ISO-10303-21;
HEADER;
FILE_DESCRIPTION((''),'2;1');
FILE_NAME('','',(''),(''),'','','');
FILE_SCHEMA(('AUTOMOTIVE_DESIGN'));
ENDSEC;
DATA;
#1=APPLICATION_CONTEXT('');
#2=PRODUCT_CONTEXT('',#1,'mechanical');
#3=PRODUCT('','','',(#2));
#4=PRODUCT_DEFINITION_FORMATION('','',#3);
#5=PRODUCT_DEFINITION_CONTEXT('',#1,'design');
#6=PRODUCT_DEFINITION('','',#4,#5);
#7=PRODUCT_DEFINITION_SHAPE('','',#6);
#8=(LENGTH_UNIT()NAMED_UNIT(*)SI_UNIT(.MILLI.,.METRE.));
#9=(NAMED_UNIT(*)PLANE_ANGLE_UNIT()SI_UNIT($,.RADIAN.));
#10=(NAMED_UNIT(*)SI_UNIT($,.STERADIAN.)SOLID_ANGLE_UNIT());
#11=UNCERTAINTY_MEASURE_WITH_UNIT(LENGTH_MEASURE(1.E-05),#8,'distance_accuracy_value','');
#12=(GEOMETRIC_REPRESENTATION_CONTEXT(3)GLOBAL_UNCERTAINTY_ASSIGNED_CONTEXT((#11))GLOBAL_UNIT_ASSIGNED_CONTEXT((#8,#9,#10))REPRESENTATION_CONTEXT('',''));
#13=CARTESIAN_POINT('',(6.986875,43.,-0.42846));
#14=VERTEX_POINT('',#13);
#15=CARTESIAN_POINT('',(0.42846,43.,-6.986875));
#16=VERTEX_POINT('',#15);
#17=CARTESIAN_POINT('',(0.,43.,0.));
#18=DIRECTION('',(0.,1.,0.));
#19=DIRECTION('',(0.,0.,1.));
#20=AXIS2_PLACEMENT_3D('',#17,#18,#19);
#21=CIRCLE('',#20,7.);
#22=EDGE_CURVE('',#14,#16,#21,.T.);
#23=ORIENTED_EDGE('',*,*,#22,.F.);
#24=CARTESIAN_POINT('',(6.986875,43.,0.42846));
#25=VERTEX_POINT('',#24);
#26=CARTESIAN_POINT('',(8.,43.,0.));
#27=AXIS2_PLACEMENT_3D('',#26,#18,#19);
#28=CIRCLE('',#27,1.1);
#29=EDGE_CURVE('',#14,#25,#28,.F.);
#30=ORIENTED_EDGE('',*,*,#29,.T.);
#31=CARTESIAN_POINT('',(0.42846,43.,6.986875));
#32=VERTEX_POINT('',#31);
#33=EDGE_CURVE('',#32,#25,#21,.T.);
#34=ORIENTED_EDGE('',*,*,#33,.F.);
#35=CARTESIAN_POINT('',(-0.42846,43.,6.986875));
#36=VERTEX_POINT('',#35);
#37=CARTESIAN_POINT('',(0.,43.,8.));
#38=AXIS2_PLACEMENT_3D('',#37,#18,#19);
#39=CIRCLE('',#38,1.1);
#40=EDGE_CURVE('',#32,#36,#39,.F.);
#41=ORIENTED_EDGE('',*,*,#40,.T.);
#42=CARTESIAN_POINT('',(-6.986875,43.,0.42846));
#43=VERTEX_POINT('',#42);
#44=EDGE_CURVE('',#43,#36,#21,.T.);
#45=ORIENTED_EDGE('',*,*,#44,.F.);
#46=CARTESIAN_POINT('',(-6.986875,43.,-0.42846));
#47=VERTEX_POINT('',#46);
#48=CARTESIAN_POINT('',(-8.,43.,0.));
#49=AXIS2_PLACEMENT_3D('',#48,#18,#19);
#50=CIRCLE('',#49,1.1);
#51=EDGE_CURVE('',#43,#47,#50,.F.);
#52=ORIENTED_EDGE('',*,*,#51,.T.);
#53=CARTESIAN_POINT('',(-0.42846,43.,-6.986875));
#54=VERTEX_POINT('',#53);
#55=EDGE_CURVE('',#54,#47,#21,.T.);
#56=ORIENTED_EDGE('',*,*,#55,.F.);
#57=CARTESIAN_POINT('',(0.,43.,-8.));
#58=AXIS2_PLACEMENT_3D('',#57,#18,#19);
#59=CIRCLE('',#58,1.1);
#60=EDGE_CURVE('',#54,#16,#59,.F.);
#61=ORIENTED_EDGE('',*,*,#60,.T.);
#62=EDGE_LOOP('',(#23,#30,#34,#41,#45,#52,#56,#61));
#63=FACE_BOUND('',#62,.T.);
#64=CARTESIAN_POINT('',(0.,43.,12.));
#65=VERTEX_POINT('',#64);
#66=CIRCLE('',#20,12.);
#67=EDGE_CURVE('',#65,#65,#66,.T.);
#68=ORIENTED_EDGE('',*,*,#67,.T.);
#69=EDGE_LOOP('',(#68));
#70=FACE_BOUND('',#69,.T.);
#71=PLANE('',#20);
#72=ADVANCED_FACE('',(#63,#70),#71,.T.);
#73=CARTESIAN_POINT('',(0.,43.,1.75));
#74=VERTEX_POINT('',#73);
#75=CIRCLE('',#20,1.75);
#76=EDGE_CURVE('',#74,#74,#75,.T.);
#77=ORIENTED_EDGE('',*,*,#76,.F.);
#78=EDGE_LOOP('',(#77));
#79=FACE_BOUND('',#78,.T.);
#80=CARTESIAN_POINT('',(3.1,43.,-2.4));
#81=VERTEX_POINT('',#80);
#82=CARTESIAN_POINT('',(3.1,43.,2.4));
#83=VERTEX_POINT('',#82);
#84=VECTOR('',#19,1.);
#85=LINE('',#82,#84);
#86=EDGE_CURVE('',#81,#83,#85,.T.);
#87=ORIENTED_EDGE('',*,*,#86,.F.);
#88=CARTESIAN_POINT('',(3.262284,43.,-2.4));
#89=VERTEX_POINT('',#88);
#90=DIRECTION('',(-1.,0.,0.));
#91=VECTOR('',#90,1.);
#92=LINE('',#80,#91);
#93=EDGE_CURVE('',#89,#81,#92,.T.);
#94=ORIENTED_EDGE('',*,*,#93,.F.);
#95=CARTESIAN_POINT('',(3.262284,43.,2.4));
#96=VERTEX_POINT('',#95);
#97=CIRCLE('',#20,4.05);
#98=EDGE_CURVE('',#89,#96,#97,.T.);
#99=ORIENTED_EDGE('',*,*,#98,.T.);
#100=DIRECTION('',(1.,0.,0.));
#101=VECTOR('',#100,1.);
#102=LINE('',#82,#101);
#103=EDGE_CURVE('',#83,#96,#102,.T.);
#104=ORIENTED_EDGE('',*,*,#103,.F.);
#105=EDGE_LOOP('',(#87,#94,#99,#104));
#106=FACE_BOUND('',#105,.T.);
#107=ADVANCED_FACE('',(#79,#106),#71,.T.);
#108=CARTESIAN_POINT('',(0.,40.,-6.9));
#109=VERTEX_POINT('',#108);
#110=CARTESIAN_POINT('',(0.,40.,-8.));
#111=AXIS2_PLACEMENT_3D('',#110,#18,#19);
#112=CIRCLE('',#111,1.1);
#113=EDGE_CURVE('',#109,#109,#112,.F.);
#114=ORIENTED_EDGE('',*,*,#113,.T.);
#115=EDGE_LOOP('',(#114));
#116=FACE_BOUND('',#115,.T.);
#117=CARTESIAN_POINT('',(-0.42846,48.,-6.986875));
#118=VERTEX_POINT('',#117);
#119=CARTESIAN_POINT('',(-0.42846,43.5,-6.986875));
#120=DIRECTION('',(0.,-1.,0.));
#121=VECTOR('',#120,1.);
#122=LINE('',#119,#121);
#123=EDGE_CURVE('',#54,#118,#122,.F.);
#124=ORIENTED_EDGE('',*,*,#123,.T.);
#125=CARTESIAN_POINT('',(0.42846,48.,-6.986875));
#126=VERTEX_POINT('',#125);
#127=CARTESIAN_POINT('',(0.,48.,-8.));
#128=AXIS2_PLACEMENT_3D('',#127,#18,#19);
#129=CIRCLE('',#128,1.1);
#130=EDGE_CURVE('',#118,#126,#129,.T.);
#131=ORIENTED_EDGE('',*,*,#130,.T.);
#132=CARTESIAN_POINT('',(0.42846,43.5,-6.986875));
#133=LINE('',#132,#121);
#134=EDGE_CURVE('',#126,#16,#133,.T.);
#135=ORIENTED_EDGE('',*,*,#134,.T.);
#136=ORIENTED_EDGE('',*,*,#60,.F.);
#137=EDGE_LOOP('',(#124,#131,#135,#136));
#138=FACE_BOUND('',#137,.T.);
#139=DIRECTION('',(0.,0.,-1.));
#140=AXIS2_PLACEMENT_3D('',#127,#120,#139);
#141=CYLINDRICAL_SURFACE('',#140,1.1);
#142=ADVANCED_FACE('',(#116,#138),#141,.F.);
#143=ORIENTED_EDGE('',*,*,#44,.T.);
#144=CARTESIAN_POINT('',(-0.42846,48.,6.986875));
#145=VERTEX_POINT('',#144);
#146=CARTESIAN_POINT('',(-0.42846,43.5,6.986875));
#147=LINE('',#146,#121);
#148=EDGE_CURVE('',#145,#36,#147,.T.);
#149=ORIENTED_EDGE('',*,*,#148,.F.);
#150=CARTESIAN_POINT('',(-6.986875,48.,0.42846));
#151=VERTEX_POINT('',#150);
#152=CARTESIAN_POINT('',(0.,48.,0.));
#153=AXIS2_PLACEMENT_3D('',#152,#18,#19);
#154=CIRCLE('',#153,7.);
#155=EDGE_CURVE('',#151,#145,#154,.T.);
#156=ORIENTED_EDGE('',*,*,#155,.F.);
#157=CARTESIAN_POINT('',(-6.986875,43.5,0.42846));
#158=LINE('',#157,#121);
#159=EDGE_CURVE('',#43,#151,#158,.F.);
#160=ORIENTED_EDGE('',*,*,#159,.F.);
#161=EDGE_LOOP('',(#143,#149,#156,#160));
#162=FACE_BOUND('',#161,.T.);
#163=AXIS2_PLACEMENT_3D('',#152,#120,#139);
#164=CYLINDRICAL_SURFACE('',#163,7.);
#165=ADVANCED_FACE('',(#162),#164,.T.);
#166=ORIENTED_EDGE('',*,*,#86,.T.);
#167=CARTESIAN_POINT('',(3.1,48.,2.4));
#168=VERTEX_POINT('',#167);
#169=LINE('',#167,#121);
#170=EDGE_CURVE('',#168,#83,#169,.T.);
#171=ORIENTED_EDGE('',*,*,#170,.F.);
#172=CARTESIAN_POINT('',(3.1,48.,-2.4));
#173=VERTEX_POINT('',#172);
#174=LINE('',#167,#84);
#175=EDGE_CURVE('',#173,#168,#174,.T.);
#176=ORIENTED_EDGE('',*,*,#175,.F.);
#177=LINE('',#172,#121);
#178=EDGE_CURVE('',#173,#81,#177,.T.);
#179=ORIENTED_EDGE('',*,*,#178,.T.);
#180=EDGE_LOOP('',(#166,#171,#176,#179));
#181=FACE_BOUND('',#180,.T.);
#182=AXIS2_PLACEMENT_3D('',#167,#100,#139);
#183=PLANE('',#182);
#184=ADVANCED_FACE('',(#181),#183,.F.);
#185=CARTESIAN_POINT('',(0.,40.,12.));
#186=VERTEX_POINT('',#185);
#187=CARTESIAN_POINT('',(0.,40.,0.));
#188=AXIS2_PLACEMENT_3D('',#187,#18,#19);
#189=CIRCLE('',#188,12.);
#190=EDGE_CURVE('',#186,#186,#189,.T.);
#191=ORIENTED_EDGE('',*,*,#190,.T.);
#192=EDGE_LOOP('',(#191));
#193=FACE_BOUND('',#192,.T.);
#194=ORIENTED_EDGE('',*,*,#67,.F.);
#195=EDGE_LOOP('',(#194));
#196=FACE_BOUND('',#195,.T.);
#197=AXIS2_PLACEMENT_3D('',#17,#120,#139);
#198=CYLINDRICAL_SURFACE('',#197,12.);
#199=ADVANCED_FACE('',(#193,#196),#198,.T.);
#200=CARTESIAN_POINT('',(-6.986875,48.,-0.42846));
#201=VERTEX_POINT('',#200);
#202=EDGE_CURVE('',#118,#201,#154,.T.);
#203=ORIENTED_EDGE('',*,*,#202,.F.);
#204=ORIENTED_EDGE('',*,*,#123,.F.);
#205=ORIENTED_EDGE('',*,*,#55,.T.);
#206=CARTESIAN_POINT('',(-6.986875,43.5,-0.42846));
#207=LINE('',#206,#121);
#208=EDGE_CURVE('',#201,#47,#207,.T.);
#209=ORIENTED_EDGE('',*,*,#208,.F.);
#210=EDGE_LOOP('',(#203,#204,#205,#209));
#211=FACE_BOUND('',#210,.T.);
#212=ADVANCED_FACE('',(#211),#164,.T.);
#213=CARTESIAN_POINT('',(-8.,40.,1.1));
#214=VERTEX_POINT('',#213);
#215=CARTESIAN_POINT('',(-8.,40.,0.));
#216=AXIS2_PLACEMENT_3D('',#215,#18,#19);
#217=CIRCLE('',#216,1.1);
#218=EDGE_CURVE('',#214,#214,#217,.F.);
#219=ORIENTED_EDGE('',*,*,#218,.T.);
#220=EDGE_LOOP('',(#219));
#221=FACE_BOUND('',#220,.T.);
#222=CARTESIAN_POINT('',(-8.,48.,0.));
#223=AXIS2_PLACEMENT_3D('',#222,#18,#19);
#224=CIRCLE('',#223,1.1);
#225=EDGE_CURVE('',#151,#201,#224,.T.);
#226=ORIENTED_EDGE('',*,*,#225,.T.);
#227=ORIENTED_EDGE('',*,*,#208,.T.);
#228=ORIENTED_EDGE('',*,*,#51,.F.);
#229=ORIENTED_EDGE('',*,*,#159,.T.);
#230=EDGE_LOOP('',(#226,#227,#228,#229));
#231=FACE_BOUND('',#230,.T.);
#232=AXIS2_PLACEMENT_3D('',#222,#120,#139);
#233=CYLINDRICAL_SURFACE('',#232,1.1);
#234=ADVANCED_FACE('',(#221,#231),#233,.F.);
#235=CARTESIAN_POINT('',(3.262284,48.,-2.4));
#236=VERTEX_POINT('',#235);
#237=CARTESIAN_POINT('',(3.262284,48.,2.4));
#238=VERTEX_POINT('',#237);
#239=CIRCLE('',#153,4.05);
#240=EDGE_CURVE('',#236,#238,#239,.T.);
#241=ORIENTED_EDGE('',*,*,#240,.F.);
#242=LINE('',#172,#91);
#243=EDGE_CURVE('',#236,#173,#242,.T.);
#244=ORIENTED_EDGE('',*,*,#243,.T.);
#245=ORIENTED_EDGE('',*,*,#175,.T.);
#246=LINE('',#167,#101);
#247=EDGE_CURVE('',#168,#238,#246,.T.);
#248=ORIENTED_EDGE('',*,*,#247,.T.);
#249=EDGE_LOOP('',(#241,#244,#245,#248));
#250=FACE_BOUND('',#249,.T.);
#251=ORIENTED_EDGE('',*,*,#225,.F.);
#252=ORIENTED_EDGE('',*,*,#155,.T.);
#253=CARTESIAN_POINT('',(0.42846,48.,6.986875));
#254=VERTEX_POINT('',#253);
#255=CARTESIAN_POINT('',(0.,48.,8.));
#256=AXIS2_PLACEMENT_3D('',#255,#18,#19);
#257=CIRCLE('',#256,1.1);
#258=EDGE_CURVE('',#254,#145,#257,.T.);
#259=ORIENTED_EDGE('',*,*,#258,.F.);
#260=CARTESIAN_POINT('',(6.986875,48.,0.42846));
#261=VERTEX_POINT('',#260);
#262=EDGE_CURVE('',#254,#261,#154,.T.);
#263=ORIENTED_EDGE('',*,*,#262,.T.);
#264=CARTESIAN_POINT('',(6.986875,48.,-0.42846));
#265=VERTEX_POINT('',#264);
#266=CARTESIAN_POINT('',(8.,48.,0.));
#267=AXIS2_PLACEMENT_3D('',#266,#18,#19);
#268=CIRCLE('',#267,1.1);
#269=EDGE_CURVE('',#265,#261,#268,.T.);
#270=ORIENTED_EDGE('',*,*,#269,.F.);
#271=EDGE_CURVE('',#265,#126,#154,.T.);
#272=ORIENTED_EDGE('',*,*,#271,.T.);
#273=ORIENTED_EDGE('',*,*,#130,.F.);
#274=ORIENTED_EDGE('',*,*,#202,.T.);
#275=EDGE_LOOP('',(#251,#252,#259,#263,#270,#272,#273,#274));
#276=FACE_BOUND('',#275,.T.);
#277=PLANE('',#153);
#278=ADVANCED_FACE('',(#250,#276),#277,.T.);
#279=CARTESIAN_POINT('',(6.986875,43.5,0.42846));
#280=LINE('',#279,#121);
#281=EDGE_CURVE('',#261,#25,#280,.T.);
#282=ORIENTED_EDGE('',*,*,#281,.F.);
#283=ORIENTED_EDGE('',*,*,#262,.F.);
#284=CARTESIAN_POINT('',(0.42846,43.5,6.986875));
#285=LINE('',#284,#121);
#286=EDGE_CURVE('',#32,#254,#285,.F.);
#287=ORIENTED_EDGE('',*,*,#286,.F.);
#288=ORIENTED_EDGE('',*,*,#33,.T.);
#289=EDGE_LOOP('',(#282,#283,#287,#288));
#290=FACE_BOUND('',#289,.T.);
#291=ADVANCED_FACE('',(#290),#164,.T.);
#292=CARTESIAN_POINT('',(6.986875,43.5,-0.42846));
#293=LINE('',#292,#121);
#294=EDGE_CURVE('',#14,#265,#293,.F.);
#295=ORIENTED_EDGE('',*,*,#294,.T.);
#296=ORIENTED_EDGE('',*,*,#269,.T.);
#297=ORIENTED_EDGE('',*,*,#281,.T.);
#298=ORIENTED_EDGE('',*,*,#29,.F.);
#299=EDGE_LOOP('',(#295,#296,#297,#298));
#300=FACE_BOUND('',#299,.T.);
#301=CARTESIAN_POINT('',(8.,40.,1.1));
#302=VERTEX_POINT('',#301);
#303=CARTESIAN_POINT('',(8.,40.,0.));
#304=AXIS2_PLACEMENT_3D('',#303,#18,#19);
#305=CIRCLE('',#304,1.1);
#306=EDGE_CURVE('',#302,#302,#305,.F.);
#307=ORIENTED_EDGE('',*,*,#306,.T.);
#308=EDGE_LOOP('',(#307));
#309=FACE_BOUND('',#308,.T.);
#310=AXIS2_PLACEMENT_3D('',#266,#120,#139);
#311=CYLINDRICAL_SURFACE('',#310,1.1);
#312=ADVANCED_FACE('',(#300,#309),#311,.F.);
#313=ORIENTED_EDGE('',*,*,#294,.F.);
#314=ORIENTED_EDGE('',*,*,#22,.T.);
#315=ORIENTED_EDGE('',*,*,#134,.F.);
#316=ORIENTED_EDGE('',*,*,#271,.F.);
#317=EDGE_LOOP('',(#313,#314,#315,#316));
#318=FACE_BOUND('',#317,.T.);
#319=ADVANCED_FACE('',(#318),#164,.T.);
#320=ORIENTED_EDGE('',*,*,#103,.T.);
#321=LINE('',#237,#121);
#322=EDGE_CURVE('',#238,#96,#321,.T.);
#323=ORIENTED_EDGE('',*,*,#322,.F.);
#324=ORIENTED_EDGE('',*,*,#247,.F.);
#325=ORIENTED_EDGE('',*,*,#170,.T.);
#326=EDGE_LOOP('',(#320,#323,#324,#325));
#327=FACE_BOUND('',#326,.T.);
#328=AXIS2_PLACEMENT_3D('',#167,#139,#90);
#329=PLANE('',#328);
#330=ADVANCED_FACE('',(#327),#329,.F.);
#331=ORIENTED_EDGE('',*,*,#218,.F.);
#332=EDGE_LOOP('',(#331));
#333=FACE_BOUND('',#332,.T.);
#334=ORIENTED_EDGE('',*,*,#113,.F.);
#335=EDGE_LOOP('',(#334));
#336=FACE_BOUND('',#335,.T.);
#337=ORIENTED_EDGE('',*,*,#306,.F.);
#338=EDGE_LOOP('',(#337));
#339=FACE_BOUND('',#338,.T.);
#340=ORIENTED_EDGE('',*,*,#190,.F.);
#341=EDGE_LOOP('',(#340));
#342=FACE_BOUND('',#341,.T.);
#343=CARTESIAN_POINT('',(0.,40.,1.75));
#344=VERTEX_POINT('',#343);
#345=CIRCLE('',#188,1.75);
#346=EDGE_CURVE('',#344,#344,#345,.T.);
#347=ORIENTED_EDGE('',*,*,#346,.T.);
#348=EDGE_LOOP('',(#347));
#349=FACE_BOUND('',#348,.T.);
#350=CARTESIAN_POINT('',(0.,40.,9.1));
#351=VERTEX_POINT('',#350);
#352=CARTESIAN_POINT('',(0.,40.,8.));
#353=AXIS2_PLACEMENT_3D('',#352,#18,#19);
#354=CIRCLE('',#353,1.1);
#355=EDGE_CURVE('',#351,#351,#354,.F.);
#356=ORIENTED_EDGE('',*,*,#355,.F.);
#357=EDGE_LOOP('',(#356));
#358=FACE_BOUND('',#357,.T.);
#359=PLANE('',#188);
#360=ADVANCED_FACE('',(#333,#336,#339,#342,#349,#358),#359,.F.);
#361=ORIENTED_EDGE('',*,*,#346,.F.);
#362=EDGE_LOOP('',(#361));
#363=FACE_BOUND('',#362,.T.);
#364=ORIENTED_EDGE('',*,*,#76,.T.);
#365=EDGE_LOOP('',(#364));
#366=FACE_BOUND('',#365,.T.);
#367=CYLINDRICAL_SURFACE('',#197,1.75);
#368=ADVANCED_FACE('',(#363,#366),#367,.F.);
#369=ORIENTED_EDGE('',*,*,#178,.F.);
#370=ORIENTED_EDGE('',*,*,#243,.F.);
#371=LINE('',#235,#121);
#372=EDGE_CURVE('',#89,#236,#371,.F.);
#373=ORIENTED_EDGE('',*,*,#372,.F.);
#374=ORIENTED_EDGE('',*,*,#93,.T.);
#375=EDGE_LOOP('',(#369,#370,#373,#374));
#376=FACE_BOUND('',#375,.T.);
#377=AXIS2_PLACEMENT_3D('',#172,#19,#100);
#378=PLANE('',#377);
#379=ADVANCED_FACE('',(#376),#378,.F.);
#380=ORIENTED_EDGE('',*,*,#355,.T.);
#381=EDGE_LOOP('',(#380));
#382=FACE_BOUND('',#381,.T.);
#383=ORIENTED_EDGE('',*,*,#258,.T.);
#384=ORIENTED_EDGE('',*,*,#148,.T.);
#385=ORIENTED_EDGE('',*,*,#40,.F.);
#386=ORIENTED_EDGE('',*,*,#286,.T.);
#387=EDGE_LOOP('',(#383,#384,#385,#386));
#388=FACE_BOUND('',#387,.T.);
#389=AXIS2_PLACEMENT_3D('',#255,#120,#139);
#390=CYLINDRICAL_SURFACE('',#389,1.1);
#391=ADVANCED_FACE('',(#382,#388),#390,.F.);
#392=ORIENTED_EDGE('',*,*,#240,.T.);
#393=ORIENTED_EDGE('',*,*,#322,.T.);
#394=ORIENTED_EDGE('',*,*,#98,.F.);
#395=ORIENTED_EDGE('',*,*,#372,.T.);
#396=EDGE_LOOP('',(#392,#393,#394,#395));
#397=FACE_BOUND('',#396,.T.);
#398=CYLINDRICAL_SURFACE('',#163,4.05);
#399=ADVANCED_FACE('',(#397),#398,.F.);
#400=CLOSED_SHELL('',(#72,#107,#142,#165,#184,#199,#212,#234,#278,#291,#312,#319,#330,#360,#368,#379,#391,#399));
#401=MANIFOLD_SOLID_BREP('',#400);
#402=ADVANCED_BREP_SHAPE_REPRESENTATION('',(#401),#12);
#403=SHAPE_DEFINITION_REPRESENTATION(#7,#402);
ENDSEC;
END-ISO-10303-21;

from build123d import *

# Parameters (mm, degrees)
STOCK_HORN_DRIVE_FLANGE_START       = 40
STOCK_HORN_DRIVE_FLANGE_PROFILE_R   = 12
STOCK_HORN_DRIVE_FLANGE_PROFILE_R_2 = 1.75
STOCK_HORN_DRIVE_FLANGE_DEPTH       = 3
D_COUPLING_RING_START               = 43
D_COUPLING_RING_PROFILE_R           = 7
D_COUPLING_RING_PROFILE_R_2         = 4.05
D_COUPLING_RING_DEPTH               = 5
D_KEY_LAND_START                    = 43
D_KEY_LAND_PROFILE_W                = 2.9
D_KEY_LAND_PROFILE_H                = 4.8
D_KEY_LAND_DEPTH                    = 5
STOCK_HORN_SCREWS_START             = 39
STOCK_HORN_SCREWS_PROFILE_R         = 1.1
STOCK_HORN_SCREWS_DEPTH             = 12.911688245


with BuildPart() as part:
    # Stock_horn_drive_flange_profile → Stock_horn_drive_flange (new body)
    with BuildSketch(Plane(origin=(0, 0, 0), x_dir=(1, 0, 0), z_dir=(0, 1, 0)).offset(STOCK_HORN_DRIVE_FLANGE_START)):
        with Locations(Location((0, 0, 0), (0, 0, 270))):
            Circle(STOCK_HORN_DRIVE_FLANGE_PROFILE_R)
        with Locations(Location((0, 0, 0), (0, 0, 270))):
            Circle(STOCK_HORN_DRIVE_FLANGE_PROFILE_R_2, mode=Mode.SUBTRACT)
    extrude(amount=STOCK_HORN_DRIVE_FLANGE_DEPTH)

    # D_coupling_ring_profile → D_coupling_ring (add)
    with BuildSketch(Plane(origin=(0, 0, 0), x_dir=(1, 0, 0), z_dir=(0, 1, 0)).offset(D_COUPLING_RING_START)):
        with Locations(Location((0, 0, 0), (0, 0, 270))):
            Circle(D_COUPLING_RING_PROFILE_R)
        with Locations(Location((0, 0, 0), (0, 0, 270))):
            Circle(D_COUPLING_RING_PROFILE_R_2, mode=Mode.SUBTRACT)
    extrude(amount=D_COUPLING_RING_DEPTH)

    # D_key_land_profile → D_key_land (add)
    with BuildSketch(Plane(origin=(0, 0, 0), x_dir=(1, 0, 0), z_dir=(0, 1, 0)).offset(D_KEY_LAND_START)):
        with Locations((4.55, 0)):
            Rectangle(D_KEY_LAND_PROFILE_W, D_KEY_LAND_PROFILE_H)
    extrude(amount=D_KEY_LAND_DEPTH)

    # Stock_horn_screws_profile → Stock_horn_screws (cut, through all)
    with BuildSketch(Plane(origin=(0, 0, 0), x_dir=(1, 0, 0), z_dir=(0, 1, 0)).offset(STOCK_HORN_SCREWS_START)):
        with Locations(Location((-8, 0, 0), (0, 0, 22.9239414))):
            Circle(STOCK_HORN_SCREWS_PROFILE_R)
        with Locations(Location((8, 0, 0), (0, 0, 157.0760586))):
            Circle(STOCK_HORN_SCREWS_PROFILE_R)
        with Locations(Location((0, -8, 0), (0, 0, 67.0760586))):
            Circle(STOCK_HORN_SCREWS_PROFILE_R)
        with Locations(Location((0, 8, 0), (0, 0, 292.9239414))):
            Circle(STOCK_HORN_SCREWS_PROFILE_R)
    extrude(amount=STOCK_HORN_SCREWS_DEPTH, mode=Mode.SUBTRACT)


solid = part.part
